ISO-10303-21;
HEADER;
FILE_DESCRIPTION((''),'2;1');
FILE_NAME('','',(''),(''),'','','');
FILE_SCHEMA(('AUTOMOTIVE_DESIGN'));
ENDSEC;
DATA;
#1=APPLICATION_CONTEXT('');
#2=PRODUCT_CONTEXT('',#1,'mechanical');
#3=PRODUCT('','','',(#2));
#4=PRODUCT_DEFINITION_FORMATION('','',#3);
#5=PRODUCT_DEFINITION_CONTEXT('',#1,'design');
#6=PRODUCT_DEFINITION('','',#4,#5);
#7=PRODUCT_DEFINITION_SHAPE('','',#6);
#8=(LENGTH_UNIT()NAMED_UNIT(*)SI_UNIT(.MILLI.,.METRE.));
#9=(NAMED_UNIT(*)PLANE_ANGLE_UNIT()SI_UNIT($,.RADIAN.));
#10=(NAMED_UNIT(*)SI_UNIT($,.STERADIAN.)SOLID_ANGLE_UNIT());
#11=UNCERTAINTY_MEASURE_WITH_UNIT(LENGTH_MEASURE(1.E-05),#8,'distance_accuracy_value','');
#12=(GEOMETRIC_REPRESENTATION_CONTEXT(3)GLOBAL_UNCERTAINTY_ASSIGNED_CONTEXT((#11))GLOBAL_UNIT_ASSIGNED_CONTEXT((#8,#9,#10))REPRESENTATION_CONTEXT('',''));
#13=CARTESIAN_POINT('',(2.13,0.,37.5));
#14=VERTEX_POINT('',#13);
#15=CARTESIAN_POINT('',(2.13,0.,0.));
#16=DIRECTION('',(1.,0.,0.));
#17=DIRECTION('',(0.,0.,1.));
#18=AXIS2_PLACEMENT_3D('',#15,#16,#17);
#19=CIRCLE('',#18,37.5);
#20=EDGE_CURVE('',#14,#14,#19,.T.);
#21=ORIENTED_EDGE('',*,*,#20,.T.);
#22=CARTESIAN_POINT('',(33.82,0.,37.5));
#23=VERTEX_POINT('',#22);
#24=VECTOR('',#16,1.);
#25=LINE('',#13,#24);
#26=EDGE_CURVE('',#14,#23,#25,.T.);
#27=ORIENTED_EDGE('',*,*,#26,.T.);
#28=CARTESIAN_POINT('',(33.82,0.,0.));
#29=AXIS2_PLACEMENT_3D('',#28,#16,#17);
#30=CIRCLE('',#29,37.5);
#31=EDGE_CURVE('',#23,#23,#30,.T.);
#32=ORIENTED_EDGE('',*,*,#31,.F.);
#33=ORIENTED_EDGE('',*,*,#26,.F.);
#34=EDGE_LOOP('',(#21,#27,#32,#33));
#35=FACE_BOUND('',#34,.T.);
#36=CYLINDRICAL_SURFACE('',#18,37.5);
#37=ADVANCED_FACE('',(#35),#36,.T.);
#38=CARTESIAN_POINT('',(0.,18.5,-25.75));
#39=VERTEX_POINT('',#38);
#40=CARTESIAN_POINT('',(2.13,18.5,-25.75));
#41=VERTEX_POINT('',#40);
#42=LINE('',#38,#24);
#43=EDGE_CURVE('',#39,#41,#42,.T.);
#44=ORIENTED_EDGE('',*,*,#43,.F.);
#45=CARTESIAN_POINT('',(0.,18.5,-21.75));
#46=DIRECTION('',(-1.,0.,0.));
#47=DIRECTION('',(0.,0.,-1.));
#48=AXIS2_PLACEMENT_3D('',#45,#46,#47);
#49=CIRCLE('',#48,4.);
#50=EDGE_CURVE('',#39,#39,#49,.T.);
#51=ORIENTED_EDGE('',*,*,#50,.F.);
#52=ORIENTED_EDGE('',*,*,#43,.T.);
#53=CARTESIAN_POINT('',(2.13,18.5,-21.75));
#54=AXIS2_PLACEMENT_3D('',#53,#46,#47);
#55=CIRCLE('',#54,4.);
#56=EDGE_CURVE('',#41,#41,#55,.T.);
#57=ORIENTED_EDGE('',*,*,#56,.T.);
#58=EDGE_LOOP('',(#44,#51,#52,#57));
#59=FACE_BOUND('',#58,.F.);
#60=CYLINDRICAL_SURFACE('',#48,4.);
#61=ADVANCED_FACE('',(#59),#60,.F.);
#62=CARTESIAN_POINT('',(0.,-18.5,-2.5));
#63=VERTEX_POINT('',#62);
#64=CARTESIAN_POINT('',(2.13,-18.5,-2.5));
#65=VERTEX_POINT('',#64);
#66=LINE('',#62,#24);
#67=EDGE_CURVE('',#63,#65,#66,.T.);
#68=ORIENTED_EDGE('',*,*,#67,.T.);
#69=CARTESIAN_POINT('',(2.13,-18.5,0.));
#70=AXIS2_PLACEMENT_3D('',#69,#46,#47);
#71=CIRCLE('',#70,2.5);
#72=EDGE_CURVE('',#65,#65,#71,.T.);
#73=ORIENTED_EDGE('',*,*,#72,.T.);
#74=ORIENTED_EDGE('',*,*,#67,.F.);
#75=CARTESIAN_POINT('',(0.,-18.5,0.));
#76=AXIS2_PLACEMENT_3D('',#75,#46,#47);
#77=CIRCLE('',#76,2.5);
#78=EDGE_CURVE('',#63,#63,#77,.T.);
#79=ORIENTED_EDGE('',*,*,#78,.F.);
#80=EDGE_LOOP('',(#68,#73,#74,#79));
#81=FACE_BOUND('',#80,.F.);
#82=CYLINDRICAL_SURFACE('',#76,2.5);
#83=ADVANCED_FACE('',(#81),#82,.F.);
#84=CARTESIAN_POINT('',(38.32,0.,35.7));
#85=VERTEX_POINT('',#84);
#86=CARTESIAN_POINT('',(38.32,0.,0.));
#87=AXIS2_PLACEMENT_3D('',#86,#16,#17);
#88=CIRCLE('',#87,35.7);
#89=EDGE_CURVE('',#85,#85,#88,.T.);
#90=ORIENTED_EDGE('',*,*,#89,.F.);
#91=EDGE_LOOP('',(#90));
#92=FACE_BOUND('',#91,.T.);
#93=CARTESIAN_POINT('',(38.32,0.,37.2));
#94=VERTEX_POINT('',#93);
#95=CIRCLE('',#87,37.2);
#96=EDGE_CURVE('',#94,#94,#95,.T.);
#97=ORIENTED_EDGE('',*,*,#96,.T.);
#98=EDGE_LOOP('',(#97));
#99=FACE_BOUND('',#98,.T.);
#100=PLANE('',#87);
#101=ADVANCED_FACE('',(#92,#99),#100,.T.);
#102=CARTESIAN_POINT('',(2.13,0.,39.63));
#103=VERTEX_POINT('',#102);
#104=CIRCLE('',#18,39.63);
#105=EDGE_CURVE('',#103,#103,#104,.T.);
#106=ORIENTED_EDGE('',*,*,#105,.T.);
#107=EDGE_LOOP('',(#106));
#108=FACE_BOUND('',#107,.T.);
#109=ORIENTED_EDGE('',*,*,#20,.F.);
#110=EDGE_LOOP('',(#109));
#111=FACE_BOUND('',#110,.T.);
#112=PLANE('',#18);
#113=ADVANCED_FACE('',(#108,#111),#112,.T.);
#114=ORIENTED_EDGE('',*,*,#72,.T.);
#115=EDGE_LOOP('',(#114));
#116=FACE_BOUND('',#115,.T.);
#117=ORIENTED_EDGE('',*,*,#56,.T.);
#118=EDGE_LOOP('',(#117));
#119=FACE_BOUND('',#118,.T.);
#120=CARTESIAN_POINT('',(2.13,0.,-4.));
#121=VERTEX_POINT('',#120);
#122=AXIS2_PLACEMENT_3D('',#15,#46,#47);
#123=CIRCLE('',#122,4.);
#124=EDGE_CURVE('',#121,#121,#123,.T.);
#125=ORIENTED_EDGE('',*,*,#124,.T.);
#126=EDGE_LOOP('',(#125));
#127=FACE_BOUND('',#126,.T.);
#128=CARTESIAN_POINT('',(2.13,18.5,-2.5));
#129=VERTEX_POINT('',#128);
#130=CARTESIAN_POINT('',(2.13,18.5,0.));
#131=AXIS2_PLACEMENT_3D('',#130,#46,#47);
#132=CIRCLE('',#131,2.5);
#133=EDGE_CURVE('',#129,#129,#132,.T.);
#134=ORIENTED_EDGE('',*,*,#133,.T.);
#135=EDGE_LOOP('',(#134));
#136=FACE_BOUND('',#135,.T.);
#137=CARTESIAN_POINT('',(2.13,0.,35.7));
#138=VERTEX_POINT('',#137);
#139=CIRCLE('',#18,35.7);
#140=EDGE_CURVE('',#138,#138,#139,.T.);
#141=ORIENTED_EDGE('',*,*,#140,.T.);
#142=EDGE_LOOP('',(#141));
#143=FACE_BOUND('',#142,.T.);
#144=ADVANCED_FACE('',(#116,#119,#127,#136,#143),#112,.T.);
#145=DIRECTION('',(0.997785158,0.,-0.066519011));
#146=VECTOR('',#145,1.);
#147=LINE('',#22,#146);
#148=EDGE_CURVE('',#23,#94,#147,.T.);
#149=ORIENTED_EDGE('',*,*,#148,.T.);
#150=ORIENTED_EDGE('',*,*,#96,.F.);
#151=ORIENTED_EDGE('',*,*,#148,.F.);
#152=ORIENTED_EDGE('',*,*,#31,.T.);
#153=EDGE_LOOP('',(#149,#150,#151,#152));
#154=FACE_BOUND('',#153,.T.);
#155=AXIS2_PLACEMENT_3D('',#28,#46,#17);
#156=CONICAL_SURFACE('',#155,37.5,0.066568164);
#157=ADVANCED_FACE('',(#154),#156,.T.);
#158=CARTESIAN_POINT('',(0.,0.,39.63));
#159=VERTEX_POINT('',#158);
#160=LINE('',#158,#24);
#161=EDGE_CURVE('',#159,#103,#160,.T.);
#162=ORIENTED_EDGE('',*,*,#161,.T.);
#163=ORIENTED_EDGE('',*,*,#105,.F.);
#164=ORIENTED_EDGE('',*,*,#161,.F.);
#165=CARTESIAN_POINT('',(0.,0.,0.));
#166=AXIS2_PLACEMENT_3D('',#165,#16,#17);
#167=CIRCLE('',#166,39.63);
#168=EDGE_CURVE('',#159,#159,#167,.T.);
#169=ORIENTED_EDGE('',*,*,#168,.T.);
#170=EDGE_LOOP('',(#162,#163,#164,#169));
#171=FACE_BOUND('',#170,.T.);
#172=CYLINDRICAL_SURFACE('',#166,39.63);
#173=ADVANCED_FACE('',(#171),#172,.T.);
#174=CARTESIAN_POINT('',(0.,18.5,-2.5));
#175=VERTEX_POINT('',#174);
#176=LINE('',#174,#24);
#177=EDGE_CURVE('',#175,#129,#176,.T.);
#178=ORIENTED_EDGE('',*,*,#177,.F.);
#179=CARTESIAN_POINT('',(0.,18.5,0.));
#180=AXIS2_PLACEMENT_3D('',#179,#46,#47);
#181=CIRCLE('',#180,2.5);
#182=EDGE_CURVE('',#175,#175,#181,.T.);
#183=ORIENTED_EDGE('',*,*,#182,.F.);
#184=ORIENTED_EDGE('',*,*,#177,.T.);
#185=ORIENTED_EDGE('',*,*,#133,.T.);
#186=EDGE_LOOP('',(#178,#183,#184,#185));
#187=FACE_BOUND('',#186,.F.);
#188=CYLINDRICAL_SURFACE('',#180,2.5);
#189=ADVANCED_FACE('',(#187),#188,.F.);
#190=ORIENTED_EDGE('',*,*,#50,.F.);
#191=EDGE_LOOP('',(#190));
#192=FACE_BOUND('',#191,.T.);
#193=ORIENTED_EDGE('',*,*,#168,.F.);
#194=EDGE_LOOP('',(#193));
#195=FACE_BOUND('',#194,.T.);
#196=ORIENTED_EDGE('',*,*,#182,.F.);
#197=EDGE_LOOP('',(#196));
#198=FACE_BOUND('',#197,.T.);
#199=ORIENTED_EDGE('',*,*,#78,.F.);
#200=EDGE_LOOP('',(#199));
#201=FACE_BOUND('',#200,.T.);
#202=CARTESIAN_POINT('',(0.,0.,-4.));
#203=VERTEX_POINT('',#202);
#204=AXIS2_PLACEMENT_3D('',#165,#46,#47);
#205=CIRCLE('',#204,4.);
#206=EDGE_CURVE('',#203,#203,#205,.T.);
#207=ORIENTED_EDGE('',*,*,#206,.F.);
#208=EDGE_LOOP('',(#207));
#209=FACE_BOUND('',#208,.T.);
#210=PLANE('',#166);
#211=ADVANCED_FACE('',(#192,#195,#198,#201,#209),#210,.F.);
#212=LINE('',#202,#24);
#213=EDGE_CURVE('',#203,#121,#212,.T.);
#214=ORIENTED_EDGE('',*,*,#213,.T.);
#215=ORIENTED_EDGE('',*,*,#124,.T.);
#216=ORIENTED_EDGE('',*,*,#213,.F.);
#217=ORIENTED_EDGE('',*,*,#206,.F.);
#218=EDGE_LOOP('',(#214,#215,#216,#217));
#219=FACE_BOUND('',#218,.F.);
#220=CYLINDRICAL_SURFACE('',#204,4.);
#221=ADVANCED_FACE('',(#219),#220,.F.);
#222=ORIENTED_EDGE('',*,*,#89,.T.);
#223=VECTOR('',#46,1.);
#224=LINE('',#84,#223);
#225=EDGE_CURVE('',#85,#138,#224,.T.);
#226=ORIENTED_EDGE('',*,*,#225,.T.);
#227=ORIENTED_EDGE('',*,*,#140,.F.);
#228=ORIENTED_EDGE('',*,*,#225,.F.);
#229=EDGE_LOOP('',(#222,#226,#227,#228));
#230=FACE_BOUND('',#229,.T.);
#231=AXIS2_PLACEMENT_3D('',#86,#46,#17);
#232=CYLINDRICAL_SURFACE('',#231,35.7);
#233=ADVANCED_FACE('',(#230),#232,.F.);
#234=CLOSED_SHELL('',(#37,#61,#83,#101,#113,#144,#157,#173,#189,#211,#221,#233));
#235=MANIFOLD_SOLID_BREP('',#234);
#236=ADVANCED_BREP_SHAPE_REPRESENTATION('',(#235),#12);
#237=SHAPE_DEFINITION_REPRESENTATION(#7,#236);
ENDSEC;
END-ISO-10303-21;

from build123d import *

# Parameters (mm, degrees)
SKETCH001_R   = 4
SKETCH001_R_2 = 2.5
POCKET_DEPTH  = 38.321


with BuildPart() as part:
    # Sketch → Revolution (revolve)
    with BuildSketch(Plane.XZ):
        Polygon((0, 0), (0, 39.63), (2.13, 39.63), (2.13, 37.5), (33.82, 37.5), (38.32, 37.2), (38.32, 35.7), (2.13, 35.7), (2.13, 0), align=None)
    revolve(axis=Axis((0, 0, 0), (1, 0, 0)))

    # Sketch001 (on Face1 of Revolution) → Pocket (cut, through all)
    with BuildSketch(Plane(origin=(0, 0, 0), x_dir=(0, 0, -1), z_dir=(-1, 0, 0))):
        Circle(SKETCH001_R)
        with Locations((0, 18.5)):
            Circle(SKETCH001_R_2)
        with Locations((0, -18.5)):
            Circle(SKETCH001_R_2)
        with Locations((21.75, -18.5)):
            Circle(SKETCH001_R)
    extrude(amount=-POCKET_DEPTH, mode=Mode.SUBTRACT)


solid = part.part
